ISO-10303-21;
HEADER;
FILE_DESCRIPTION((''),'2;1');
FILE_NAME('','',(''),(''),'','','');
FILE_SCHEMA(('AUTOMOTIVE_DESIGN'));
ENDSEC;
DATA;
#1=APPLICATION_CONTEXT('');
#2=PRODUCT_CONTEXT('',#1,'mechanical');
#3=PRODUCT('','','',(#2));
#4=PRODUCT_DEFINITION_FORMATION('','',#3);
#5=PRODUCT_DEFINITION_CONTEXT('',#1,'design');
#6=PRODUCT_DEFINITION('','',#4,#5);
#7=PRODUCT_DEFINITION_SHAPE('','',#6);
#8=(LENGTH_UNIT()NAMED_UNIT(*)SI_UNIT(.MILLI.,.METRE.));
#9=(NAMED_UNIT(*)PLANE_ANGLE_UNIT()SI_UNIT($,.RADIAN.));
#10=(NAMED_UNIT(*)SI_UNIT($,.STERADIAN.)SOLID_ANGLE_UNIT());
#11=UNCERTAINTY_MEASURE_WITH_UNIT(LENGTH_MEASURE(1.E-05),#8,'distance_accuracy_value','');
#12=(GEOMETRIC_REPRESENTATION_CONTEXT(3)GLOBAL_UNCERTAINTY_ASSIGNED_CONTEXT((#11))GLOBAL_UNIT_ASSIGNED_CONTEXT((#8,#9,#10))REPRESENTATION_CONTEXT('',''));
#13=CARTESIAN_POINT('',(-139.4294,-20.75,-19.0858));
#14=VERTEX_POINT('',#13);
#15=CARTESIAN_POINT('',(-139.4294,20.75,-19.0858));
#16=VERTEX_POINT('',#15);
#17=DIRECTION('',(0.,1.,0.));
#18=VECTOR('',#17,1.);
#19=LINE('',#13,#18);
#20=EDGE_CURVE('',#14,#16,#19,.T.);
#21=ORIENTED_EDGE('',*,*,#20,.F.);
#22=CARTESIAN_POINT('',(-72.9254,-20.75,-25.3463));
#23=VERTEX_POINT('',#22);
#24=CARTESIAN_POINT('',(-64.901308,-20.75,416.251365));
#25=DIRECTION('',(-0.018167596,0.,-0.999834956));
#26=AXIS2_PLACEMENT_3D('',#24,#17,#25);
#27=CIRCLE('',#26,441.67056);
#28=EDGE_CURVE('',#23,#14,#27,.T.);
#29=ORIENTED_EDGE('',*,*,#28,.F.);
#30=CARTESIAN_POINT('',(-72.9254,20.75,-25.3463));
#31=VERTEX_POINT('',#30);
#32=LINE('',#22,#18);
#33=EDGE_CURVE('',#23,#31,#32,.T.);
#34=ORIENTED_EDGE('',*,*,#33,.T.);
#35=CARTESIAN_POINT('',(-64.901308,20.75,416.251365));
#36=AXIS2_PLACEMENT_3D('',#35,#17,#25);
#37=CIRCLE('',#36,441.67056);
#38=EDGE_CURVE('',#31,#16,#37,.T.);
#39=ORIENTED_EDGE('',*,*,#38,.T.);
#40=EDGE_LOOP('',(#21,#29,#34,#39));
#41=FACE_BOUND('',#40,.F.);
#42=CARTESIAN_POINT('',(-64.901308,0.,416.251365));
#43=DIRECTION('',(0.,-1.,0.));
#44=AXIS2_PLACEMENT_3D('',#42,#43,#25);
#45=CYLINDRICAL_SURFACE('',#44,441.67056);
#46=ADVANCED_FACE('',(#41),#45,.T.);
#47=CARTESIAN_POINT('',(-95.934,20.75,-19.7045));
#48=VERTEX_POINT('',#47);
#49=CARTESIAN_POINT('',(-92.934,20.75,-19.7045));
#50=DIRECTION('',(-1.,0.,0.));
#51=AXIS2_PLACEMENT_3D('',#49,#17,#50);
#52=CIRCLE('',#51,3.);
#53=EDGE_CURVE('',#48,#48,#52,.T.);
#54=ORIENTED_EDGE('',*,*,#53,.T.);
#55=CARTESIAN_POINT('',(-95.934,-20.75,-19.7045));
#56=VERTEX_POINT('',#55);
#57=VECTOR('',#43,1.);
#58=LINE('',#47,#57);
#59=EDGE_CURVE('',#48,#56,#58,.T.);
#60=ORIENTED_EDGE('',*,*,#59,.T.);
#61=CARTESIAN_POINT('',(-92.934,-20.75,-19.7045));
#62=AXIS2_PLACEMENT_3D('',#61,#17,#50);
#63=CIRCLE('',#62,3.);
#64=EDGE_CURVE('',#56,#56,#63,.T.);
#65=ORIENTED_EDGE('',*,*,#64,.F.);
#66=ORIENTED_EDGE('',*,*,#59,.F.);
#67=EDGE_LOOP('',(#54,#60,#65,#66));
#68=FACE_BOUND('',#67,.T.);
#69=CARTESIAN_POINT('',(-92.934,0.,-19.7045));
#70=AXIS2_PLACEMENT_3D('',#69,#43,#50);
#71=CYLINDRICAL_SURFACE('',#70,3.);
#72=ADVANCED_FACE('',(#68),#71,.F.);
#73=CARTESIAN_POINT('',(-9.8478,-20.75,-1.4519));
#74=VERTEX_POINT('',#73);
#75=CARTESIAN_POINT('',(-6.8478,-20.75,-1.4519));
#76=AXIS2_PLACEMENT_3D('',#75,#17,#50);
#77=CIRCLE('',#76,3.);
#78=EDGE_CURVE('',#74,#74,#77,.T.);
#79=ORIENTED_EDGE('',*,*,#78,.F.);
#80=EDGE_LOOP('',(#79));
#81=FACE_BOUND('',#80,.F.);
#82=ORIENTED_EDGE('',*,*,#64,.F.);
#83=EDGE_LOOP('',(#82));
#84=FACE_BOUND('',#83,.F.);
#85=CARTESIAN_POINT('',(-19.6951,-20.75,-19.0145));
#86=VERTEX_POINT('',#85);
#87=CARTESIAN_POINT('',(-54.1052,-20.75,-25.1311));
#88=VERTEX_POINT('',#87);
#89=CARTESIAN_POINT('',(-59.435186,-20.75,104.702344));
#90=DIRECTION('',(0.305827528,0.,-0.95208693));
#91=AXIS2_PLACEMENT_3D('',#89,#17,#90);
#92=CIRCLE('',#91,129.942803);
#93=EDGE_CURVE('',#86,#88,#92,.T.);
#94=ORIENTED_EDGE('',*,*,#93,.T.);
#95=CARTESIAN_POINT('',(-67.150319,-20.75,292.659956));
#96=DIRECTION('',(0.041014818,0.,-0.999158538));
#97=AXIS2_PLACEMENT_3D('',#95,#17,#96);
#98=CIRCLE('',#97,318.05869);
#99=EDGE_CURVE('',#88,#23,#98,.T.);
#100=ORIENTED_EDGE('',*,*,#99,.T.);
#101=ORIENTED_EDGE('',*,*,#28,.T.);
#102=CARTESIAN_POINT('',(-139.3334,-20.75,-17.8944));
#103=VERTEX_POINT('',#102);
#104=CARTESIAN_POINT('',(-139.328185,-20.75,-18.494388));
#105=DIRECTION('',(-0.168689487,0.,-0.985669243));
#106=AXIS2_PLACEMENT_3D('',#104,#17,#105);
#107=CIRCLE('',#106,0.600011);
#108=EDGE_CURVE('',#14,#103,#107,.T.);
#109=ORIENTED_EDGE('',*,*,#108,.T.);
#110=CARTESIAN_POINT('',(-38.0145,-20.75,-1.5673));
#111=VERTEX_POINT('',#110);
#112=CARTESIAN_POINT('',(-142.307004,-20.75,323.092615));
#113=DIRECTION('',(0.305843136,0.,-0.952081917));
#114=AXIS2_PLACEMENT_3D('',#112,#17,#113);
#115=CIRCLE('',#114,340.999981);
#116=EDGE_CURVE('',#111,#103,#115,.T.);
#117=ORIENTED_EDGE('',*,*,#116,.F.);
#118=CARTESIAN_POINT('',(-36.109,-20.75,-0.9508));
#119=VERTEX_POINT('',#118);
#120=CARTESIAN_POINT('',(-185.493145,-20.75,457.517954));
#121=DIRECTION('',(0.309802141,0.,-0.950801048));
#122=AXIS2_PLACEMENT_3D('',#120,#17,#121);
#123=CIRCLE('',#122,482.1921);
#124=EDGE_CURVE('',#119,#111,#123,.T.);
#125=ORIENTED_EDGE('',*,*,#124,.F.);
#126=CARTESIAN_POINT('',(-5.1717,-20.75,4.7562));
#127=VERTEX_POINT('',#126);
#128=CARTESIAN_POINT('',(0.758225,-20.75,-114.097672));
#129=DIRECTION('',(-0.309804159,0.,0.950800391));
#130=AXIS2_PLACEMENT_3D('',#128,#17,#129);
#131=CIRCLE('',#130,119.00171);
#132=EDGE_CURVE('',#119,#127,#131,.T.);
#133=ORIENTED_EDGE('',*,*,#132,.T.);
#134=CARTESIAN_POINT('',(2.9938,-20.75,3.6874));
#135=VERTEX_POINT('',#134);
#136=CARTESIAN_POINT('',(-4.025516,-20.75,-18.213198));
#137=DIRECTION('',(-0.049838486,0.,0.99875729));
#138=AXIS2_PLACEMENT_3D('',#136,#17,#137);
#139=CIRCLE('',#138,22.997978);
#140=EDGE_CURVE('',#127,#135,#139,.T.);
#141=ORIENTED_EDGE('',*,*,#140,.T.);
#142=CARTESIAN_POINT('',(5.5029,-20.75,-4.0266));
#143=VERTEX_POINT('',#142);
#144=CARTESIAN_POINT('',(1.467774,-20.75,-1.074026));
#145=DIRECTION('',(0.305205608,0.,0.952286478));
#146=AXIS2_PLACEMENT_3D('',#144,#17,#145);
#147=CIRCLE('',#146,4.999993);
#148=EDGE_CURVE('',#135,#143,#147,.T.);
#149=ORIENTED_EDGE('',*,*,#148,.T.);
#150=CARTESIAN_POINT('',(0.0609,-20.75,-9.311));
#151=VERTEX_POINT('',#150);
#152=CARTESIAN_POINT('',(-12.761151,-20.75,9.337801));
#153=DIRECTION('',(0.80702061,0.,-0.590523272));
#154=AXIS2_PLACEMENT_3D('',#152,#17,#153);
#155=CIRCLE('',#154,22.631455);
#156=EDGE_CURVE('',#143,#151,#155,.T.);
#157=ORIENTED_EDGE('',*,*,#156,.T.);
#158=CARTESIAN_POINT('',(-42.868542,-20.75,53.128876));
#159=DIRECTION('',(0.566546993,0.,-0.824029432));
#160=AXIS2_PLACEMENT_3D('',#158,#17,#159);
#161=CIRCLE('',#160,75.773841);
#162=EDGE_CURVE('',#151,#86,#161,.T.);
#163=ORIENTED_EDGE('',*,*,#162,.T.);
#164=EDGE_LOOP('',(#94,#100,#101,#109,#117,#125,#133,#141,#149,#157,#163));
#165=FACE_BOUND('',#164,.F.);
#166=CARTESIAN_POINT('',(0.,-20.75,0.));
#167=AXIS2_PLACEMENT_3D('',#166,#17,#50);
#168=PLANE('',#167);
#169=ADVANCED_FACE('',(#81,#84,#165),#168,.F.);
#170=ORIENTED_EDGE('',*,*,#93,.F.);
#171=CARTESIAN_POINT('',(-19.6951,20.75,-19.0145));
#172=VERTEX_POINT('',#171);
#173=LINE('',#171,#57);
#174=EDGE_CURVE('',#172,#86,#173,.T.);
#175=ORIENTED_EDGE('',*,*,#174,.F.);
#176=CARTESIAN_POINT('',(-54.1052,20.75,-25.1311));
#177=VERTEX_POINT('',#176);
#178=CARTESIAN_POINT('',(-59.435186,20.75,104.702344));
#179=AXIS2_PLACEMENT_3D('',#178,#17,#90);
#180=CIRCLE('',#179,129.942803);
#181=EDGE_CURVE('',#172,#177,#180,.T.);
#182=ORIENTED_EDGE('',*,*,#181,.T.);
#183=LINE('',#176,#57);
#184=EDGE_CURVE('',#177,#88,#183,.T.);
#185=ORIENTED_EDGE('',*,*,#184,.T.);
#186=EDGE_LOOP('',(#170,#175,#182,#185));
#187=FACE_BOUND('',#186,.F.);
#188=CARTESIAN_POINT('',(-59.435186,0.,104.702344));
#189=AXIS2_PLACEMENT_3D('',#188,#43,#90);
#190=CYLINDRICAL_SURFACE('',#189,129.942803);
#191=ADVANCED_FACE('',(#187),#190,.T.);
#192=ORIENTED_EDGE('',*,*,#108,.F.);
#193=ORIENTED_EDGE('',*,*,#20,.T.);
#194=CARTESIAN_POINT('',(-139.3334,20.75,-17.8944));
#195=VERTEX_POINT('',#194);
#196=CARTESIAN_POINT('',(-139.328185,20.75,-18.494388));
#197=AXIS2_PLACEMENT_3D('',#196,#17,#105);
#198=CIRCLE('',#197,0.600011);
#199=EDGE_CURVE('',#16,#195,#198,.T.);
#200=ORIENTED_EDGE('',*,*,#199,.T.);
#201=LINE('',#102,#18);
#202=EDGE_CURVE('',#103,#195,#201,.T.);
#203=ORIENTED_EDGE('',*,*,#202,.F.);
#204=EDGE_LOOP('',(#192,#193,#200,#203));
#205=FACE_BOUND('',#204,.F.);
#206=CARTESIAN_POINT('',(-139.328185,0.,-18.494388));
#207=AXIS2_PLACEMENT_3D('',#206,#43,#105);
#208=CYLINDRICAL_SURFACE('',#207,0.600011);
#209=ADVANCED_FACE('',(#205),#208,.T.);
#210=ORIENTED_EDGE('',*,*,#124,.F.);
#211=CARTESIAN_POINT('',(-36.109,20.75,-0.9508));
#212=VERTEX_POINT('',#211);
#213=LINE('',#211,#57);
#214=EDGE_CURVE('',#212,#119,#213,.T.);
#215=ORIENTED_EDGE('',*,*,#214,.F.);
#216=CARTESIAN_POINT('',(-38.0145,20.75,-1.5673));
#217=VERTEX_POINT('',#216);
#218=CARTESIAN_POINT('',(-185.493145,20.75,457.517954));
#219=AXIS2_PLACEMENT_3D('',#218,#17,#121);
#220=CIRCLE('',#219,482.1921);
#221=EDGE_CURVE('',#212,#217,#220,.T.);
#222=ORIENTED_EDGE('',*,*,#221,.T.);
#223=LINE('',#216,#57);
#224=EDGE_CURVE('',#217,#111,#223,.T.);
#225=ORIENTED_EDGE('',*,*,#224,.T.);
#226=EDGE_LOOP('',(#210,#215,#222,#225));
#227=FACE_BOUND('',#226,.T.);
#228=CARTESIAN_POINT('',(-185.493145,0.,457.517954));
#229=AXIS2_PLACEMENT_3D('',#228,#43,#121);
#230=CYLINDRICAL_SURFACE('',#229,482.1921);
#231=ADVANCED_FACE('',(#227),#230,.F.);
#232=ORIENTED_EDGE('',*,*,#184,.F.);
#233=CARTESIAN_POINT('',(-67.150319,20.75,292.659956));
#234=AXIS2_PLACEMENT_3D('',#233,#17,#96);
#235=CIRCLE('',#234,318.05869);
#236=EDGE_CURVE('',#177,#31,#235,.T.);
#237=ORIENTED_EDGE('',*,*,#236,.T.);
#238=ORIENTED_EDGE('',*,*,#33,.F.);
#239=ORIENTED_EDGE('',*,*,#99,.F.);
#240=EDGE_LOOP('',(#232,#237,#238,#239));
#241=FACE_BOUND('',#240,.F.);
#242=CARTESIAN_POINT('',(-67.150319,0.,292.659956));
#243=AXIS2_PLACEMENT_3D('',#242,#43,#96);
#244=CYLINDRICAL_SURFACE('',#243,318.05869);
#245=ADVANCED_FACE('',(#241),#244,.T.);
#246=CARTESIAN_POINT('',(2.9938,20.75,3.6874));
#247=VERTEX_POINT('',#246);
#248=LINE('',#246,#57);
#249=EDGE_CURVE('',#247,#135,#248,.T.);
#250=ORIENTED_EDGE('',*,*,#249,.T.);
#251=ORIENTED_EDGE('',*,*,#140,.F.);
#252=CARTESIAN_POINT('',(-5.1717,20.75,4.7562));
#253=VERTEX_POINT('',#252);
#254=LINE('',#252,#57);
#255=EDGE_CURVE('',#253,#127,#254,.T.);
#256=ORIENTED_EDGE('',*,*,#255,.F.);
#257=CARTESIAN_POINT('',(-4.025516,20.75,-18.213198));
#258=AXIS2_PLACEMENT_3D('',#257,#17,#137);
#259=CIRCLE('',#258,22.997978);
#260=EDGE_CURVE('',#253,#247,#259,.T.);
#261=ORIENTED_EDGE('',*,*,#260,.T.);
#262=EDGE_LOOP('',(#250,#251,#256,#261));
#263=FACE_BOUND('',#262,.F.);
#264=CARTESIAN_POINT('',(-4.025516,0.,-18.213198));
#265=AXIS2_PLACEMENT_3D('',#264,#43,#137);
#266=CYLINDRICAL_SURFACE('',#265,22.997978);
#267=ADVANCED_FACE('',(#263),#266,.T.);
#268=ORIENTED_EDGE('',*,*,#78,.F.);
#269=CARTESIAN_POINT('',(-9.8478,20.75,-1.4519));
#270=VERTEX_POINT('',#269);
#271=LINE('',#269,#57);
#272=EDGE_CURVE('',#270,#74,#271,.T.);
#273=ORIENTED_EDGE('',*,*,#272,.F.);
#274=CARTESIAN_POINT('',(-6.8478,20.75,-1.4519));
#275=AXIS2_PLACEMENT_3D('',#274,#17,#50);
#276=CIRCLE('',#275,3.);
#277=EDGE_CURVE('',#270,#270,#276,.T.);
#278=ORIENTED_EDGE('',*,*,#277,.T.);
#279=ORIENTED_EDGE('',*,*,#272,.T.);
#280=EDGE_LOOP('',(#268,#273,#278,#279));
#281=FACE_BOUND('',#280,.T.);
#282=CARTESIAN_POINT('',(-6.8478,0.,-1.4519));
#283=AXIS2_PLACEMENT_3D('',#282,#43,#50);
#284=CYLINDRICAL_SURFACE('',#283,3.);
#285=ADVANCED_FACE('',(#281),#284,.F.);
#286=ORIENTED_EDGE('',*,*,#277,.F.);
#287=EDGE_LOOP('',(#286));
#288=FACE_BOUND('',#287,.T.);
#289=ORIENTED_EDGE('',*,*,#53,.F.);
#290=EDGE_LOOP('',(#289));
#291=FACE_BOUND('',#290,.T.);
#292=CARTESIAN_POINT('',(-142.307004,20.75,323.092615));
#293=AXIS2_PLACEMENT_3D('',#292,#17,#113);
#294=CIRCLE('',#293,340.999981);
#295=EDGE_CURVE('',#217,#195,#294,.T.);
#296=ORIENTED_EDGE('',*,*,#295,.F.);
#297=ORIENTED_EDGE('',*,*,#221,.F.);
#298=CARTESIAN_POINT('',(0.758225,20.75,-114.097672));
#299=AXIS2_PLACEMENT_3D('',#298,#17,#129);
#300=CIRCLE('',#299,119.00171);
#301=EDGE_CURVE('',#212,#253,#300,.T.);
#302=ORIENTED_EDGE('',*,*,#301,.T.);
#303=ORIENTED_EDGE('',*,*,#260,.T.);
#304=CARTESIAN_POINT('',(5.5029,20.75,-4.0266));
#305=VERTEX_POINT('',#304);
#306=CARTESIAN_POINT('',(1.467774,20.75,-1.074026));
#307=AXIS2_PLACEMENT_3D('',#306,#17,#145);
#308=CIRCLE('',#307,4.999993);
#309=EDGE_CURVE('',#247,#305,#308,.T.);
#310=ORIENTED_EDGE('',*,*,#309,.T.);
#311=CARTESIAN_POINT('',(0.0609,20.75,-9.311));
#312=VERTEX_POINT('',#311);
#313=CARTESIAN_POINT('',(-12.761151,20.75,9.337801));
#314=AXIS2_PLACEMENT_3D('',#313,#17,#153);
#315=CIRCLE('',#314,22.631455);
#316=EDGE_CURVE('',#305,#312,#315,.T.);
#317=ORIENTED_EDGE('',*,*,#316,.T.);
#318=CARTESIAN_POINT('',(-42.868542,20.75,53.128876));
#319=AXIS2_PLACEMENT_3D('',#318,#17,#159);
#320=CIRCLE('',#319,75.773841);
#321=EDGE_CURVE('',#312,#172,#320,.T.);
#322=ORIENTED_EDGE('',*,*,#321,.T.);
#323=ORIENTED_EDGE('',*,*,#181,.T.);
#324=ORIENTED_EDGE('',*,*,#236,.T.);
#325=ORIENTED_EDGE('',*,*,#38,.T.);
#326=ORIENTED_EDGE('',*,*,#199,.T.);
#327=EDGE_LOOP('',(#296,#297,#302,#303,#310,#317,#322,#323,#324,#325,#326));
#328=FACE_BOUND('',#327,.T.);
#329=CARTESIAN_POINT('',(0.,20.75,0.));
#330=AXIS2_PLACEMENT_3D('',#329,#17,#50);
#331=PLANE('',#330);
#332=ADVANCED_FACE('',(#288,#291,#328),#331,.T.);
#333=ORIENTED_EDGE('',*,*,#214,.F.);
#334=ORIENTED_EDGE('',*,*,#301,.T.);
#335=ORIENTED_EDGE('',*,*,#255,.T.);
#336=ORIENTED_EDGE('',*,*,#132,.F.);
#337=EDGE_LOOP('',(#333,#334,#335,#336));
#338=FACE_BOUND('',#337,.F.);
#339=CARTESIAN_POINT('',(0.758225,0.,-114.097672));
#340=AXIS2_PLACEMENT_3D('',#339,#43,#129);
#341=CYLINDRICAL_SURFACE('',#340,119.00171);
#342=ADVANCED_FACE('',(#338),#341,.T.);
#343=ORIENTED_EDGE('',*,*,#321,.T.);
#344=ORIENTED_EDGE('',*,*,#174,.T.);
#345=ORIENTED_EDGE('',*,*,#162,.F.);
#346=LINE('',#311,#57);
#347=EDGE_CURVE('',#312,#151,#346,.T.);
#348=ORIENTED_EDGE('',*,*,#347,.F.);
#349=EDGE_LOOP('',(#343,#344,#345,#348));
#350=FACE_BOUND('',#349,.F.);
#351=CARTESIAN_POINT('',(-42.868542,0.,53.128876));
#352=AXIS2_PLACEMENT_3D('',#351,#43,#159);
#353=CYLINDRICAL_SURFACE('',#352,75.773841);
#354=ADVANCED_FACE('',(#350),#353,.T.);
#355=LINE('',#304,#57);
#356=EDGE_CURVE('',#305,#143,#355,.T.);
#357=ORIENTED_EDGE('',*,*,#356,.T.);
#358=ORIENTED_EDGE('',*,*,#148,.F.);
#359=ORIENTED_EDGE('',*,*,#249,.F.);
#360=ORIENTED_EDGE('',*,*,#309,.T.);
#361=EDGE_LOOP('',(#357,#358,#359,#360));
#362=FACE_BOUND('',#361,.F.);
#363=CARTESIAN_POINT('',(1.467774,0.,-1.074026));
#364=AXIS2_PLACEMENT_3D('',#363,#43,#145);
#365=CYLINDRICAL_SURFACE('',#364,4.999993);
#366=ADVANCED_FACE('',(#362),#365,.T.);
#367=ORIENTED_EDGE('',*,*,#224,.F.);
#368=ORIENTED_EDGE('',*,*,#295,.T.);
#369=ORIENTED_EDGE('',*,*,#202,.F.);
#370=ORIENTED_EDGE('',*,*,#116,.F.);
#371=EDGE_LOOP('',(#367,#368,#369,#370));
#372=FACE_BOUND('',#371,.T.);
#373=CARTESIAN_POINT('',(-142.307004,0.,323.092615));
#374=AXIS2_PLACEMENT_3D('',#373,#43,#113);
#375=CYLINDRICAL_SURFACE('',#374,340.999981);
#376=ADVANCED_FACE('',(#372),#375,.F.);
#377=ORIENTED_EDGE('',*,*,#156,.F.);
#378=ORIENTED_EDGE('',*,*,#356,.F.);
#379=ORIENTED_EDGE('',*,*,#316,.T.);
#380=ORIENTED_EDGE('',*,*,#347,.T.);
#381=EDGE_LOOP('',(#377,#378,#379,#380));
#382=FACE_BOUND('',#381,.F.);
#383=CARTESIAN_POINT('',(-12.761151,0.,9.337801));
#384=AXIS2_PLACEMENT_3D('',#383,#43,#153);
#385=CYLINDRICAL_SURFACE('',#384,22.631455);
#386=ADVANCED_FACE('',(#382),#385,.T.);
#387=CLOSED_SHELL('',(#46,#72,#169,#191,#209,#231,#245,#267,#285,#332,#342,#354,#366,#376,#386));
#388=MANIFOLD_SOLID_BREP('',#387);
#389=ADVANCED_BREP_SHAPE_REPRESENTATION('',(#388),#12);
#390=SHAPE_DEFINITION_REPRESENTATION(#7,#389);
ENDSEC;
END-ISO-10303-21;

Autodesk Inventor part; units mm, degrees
ref_plane "YZ Plane" through (0, 0, 0) normal (1, 0, 0) x (0, 1, 0)
ref_plane "XZ Plane" through (0, 0, 0) normal (0, 1, 0) x (-1, 0, 0)
ref_plane "XY Plane" through (0, 0, 0) normal (0, 0, 1) x (1, 0, 0)
sketch "スケッチ1" plane through (0, 0, 0) normal (0, 1, 0) x (-1, 0, 0)
  arc A0 (72.9254, -25.3463) -> (139.4294, -19.0858) centre (64.9013, 416.2515) ccw projected
  arc A1 (54.1052, -25.1311) -> (72.9254, -25.3463) centre (67.1484, 292.5868) ccw projected
  arc A2 (19.6951, -19.0145) -> (54.1052, -25.1311) centre (59.4352, 104.7024) ccw projected
  arc A3 (-0.0609, -9.311) -> (19.6951, -19.0145) centre (42.8692, 53.13) ccw projected
  arc A4 (-5.5029, -4.0266) -> (-0.0609, -9.311) centre (12.76, 9.3368) ccw projected
  arc A5 (-2.9938, 3.6874) -> (-5.5029, -4.0266) centre (-1.4678, -1.074) ccw projected
  arc A6 (5.1717, 4.7562) -> (-2.9938, 3.6874) centre (4.0256, -18.2153) ccw projected
  arc A7 (36.109, -0.9508) -> (5.1717, 4.7562) centre (-0.7578, -114.096) ccw projected
  arc A8 (36.109, -0.9508) -> (38.0145, -1.5673) centre (185.125, 456.3841) ccw projected
  arc A9 (38.0145, -1.5673) -> (139.3334, -17.8944) centre (142.307, 323.0926) ccw projected
  arc A10 (139.4294, -19.0858) -> (139.3334, -17.8944) centre (139.3282, -18.4944) ccw projected
  circle A11 centre (6.8478, -1.4519) radius 3 projected
  circle A12 centre (92.934, -19.7045) radius 3 projected
  point P0 (0, 0)
extrude "押し出し1" add sketch "スケッチ1" along normal mid plane 41.5
properties part number "uretan_s" material "ポリエチレン、高密度"
